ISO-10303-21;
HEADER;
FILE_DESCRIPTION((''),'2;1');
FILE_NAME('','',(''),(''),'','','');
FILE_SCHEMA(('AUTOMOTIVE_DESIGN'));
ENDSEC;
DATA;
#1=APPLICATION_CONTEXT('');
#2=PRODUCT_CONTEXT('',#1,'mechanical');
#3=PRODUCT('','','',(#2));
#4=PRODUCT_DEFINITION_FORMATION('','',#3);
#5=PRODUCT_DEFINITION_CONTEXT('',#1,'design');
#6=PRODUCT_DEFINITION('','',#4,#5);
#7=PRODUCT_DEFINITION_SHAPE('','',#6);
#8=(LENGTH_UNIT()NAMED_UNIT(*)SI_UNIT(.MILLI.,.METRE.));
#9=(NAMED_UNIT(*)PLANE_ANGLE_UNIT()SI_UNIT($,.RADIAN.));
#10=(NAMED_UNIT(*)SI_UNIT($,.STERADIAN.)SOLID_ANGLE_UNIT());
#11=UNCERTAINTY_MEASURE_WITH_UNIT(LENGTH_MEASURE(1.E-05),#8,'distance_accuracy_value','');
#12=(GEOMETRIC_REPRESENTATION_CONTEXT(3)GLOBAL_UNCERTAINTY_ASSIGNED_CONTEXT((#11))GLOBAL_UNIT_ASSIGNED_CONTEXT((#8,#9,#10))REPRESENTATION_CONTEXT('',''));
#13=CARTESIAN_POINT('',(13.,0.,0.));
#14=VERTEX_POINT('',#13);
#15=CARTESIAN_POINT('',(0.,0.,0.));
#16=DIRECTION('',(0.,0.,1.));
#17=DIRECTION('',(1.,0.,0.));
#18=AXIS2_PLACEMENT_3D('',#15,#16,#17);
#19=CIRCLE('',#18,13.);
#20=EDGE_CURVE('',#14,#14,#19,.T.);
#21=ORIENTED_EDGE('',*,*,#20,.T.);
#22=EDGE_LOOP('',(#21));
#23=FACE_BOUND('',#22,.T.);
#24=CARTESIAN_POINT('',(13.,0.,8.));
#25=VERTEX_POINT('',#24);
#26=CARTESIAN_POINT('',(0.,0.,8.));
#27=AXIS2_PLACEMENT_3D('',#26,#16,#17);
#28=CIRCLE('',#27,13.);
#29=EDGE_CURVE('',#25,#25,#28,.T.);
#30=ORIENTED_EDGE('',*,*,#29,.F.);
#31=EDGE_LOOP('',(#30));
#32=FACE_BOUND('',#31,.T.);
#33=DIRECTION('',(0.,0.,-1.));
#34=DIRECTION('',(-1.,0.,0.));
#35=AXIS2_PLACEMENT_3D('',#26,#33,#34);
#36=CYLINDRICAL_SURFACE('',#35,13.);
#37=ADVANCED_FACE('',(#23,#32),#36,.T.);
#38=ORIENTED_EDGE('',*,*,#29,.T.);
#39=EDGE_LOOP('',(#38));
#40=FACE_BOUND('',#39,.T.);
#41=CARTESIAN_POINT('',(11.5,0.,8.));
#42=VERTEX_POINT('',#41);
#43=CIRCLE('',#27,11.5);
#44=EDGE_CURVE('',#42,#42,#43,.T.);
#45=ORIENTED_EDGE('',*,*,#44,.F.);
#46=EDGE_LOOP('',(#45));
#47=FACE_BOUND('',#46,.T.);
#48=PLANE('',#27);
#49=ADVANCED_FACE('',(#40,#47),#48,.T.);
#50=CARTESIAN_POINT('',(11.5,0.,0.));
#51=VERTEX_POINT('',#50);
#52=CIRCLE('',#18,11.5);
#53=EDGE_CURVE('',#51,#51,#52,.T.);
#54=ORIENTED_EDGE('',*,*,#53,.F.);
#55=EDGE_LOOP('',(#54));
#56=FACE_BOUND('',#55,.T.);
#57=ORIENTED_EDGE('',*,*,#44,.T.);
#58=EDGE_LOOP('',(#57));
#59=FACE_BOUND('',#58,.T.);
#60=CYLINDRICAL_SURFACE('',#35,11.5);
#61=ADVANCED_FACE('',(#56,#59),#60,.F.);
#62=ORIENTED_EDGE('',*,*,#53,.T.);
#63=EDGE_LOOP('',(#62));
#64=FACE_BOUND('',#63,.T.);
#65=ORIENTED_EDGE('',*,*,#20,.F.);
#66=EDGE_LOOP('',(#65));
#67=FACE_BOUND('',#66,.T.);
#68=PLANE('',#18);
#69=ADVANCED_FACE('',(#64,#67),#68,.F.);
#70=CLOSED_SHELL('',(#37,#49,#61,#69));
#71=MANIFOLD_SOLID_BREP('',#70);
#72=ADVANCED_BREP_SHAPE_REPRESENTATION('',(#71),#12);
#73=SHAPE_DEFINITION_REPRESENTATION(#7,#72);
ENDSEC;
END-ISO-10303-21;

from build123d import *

# Parameters (mm, degrees)
SKETCH_1_R      = 13
SKETCH_1_R_2    = 11.5
EXTRUDE_1_DEPTH = 8


with BuildPart() as part:
    # Эскиз1 → Бобышка-Вытянуть1 (new body)
    with BuildSketch(Plane.XY):
        Circle(SKETCH_1_R)
        Circle(SKETCH_1_R_2, mode=Mode.SUBTRACT)
    extrude(amount=EXTRUDE_1_DEPTH)


solid = part.part
